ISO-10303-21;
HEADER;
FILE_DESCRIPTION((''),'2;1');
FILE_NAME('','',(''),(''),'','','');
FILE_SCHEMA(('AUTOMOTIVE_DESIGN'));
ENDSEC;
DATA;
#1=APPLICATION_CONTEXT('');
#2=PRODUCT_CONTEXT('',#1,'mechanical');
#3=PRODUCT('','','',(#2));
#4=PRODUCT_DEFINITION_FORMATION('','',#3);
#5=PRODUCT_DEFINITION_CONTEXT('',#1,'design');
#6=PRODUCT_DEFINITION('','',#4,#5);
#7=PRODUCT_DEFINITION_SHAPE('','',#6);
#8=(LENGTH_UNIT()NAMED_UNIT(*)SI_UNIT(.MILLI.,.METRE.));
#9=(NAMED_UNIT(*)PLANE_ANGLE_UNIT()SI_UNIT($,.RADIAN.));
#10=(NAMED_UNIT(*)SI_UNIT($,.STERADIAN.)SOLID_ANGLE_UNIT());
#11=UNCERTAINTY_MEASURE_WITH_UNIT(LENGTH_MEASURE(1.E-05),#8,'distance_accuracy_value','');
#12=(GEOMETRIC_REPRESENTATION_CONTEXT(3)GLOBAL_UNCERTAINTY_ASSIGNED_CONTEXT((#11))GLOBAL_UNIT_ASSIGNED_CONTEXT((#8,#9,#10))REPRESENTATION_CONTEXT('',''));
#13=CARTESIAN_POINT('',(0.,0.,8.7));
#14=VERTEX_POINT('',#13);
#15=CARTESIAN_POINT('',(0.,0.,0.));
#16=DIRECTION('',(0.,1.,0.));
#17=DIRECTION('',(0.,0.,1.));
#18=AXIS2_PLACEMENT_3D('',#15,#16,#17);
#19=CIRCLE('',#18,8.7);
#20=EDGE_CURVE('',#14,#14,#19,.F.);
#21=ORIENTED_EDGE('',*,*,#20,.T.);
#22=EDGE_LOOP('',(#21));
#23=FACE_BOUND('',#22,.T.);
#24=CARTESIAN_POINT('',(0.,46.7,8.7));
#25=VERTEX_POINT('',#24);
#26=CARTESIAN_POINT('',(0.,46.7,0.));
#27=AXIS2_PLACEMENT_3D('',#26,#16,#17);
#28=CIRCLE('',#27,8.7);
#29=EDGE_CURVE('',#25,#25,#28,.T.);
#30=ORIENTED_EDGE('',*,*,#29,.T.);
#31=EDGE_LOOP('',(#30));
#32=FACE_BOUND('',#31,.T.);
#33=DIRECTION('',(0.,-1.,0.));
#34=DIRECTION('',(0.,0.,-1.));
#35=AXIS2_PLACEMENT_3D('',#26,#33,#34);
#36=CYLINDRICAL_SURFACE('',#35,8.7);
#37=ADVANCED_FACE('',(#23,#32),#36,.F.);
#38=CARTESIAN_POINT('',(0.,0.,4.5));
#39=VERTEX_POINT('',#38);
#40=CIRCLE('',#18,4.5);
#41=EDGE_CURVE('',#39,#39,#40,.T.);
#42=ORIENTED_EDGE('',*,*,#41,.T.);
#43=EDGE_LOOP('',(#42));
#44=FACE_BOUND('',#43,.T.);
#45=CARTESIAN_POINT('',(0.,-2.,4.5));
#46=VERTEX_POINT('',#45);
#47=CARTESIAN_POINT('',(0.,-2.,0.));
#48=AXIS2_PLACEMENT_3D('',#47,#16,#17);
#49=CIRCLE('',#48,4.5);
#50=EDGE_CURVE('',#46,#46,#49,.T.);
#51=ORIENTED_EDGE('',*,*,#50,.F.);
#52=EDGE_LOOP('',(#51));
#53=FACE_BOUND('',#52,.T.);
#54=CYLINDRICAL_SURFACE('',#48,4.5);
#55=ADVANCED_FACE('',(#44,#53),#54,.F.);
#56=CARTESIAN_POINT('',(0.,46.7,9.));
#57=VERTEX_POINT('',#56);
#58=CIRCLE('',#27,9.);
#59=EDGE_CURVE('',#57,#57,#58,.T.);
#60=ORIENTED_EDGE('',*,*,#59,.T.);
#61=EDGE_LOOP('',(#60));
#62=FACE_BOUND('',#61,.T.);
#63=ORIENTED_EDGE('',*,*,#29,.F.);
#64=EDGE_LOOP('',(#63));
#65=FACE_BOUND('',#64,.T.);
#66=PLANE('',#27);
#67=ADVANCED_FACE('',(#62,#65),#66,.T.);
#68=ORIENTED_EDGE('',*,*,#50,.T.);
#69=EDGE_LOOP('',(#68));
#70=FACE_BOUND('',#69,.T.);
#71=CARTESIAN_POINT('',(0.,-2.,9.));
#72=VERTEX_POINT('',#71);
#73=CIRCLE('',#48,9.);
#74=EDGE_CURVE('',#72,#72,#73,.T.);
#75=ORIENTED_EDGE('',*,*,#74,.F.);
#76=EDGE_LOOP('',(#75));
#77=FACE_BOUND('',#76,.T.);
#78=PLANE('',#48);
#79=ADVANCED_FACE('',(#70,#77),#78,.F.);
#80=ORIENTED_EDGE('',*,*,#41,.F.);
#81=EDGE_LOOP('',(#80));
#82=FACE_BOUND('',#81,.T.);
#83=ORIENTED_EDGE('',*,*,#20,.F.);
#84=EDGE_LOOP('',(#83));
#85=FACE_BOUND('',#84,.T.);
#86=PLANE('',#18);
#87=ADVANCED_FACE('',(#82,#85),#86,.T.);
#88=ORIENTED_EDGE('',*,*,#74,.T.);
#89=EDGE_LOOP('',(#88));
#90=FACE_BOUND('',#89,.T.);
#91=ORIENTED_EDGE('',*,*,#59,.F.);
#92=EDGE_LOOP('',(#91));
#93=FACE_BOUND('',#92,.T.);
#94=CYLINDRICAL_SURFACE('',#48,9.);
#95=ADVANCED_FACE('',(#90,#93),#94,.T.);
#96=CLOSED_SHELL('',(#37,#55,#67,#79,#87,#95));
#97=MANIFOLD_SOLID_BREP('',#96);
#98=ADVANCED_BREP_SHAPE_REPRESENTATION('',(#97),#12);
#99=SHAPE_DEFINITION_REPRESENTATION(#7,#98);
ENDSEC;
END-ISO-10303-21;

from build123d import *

# Parameters (mm, degrees)
SKETCH_1_R      = 9
SKETCH_1_R_2    = 4.5
EXTRUDE_2_DEPTH = 2
EXTRUDE_START   = 46.7
SKETCH_2_R      = 9
SKETCH_2_R_2    = 8.7
EXTRUDE_3_DEPTH = 46.7


with BuildPart() as part:
    # 草图1 → 凸台-拉伸2 (new body)
    with BuildSketch(Plane(origin=(0, 0, 0), x_dir=(1, 0, 0), z_dir=(0, 1, 0))):
        with Locations(Location((0, 0, 0), (0, 0, 270))):
            Circle(SKETCH_1_R)
        with Locations(Location((0, 0, 0), (0, 0, 270))):
            Circle(SKETCH_1_R_2, mode=Mode.SUBTRACT)
    extrude(amount=-EXTRUDE_2_DEPTH)

    # 草图2 → 凸台-拉伸3 (add)
    with BuildSketch(Plane(origin=(0, 0, 0), x_dir=(1, 0, 0), z_dir=(0, 1, 0)).offset(EXTRUDE_START)):
        with Locations(Location((0, 0, 0), (0, 0, 270))):
            Circle(SKETCH_2_R)
        with Locations(Location((0, 0, 0), (0, 0, 270))):
            Circle(SKETCH_2_R_2, mode=Mode.SUBTRACT)
    extrude(amount=-EXTRUDE_3_DEPTH)


solid = part.part
